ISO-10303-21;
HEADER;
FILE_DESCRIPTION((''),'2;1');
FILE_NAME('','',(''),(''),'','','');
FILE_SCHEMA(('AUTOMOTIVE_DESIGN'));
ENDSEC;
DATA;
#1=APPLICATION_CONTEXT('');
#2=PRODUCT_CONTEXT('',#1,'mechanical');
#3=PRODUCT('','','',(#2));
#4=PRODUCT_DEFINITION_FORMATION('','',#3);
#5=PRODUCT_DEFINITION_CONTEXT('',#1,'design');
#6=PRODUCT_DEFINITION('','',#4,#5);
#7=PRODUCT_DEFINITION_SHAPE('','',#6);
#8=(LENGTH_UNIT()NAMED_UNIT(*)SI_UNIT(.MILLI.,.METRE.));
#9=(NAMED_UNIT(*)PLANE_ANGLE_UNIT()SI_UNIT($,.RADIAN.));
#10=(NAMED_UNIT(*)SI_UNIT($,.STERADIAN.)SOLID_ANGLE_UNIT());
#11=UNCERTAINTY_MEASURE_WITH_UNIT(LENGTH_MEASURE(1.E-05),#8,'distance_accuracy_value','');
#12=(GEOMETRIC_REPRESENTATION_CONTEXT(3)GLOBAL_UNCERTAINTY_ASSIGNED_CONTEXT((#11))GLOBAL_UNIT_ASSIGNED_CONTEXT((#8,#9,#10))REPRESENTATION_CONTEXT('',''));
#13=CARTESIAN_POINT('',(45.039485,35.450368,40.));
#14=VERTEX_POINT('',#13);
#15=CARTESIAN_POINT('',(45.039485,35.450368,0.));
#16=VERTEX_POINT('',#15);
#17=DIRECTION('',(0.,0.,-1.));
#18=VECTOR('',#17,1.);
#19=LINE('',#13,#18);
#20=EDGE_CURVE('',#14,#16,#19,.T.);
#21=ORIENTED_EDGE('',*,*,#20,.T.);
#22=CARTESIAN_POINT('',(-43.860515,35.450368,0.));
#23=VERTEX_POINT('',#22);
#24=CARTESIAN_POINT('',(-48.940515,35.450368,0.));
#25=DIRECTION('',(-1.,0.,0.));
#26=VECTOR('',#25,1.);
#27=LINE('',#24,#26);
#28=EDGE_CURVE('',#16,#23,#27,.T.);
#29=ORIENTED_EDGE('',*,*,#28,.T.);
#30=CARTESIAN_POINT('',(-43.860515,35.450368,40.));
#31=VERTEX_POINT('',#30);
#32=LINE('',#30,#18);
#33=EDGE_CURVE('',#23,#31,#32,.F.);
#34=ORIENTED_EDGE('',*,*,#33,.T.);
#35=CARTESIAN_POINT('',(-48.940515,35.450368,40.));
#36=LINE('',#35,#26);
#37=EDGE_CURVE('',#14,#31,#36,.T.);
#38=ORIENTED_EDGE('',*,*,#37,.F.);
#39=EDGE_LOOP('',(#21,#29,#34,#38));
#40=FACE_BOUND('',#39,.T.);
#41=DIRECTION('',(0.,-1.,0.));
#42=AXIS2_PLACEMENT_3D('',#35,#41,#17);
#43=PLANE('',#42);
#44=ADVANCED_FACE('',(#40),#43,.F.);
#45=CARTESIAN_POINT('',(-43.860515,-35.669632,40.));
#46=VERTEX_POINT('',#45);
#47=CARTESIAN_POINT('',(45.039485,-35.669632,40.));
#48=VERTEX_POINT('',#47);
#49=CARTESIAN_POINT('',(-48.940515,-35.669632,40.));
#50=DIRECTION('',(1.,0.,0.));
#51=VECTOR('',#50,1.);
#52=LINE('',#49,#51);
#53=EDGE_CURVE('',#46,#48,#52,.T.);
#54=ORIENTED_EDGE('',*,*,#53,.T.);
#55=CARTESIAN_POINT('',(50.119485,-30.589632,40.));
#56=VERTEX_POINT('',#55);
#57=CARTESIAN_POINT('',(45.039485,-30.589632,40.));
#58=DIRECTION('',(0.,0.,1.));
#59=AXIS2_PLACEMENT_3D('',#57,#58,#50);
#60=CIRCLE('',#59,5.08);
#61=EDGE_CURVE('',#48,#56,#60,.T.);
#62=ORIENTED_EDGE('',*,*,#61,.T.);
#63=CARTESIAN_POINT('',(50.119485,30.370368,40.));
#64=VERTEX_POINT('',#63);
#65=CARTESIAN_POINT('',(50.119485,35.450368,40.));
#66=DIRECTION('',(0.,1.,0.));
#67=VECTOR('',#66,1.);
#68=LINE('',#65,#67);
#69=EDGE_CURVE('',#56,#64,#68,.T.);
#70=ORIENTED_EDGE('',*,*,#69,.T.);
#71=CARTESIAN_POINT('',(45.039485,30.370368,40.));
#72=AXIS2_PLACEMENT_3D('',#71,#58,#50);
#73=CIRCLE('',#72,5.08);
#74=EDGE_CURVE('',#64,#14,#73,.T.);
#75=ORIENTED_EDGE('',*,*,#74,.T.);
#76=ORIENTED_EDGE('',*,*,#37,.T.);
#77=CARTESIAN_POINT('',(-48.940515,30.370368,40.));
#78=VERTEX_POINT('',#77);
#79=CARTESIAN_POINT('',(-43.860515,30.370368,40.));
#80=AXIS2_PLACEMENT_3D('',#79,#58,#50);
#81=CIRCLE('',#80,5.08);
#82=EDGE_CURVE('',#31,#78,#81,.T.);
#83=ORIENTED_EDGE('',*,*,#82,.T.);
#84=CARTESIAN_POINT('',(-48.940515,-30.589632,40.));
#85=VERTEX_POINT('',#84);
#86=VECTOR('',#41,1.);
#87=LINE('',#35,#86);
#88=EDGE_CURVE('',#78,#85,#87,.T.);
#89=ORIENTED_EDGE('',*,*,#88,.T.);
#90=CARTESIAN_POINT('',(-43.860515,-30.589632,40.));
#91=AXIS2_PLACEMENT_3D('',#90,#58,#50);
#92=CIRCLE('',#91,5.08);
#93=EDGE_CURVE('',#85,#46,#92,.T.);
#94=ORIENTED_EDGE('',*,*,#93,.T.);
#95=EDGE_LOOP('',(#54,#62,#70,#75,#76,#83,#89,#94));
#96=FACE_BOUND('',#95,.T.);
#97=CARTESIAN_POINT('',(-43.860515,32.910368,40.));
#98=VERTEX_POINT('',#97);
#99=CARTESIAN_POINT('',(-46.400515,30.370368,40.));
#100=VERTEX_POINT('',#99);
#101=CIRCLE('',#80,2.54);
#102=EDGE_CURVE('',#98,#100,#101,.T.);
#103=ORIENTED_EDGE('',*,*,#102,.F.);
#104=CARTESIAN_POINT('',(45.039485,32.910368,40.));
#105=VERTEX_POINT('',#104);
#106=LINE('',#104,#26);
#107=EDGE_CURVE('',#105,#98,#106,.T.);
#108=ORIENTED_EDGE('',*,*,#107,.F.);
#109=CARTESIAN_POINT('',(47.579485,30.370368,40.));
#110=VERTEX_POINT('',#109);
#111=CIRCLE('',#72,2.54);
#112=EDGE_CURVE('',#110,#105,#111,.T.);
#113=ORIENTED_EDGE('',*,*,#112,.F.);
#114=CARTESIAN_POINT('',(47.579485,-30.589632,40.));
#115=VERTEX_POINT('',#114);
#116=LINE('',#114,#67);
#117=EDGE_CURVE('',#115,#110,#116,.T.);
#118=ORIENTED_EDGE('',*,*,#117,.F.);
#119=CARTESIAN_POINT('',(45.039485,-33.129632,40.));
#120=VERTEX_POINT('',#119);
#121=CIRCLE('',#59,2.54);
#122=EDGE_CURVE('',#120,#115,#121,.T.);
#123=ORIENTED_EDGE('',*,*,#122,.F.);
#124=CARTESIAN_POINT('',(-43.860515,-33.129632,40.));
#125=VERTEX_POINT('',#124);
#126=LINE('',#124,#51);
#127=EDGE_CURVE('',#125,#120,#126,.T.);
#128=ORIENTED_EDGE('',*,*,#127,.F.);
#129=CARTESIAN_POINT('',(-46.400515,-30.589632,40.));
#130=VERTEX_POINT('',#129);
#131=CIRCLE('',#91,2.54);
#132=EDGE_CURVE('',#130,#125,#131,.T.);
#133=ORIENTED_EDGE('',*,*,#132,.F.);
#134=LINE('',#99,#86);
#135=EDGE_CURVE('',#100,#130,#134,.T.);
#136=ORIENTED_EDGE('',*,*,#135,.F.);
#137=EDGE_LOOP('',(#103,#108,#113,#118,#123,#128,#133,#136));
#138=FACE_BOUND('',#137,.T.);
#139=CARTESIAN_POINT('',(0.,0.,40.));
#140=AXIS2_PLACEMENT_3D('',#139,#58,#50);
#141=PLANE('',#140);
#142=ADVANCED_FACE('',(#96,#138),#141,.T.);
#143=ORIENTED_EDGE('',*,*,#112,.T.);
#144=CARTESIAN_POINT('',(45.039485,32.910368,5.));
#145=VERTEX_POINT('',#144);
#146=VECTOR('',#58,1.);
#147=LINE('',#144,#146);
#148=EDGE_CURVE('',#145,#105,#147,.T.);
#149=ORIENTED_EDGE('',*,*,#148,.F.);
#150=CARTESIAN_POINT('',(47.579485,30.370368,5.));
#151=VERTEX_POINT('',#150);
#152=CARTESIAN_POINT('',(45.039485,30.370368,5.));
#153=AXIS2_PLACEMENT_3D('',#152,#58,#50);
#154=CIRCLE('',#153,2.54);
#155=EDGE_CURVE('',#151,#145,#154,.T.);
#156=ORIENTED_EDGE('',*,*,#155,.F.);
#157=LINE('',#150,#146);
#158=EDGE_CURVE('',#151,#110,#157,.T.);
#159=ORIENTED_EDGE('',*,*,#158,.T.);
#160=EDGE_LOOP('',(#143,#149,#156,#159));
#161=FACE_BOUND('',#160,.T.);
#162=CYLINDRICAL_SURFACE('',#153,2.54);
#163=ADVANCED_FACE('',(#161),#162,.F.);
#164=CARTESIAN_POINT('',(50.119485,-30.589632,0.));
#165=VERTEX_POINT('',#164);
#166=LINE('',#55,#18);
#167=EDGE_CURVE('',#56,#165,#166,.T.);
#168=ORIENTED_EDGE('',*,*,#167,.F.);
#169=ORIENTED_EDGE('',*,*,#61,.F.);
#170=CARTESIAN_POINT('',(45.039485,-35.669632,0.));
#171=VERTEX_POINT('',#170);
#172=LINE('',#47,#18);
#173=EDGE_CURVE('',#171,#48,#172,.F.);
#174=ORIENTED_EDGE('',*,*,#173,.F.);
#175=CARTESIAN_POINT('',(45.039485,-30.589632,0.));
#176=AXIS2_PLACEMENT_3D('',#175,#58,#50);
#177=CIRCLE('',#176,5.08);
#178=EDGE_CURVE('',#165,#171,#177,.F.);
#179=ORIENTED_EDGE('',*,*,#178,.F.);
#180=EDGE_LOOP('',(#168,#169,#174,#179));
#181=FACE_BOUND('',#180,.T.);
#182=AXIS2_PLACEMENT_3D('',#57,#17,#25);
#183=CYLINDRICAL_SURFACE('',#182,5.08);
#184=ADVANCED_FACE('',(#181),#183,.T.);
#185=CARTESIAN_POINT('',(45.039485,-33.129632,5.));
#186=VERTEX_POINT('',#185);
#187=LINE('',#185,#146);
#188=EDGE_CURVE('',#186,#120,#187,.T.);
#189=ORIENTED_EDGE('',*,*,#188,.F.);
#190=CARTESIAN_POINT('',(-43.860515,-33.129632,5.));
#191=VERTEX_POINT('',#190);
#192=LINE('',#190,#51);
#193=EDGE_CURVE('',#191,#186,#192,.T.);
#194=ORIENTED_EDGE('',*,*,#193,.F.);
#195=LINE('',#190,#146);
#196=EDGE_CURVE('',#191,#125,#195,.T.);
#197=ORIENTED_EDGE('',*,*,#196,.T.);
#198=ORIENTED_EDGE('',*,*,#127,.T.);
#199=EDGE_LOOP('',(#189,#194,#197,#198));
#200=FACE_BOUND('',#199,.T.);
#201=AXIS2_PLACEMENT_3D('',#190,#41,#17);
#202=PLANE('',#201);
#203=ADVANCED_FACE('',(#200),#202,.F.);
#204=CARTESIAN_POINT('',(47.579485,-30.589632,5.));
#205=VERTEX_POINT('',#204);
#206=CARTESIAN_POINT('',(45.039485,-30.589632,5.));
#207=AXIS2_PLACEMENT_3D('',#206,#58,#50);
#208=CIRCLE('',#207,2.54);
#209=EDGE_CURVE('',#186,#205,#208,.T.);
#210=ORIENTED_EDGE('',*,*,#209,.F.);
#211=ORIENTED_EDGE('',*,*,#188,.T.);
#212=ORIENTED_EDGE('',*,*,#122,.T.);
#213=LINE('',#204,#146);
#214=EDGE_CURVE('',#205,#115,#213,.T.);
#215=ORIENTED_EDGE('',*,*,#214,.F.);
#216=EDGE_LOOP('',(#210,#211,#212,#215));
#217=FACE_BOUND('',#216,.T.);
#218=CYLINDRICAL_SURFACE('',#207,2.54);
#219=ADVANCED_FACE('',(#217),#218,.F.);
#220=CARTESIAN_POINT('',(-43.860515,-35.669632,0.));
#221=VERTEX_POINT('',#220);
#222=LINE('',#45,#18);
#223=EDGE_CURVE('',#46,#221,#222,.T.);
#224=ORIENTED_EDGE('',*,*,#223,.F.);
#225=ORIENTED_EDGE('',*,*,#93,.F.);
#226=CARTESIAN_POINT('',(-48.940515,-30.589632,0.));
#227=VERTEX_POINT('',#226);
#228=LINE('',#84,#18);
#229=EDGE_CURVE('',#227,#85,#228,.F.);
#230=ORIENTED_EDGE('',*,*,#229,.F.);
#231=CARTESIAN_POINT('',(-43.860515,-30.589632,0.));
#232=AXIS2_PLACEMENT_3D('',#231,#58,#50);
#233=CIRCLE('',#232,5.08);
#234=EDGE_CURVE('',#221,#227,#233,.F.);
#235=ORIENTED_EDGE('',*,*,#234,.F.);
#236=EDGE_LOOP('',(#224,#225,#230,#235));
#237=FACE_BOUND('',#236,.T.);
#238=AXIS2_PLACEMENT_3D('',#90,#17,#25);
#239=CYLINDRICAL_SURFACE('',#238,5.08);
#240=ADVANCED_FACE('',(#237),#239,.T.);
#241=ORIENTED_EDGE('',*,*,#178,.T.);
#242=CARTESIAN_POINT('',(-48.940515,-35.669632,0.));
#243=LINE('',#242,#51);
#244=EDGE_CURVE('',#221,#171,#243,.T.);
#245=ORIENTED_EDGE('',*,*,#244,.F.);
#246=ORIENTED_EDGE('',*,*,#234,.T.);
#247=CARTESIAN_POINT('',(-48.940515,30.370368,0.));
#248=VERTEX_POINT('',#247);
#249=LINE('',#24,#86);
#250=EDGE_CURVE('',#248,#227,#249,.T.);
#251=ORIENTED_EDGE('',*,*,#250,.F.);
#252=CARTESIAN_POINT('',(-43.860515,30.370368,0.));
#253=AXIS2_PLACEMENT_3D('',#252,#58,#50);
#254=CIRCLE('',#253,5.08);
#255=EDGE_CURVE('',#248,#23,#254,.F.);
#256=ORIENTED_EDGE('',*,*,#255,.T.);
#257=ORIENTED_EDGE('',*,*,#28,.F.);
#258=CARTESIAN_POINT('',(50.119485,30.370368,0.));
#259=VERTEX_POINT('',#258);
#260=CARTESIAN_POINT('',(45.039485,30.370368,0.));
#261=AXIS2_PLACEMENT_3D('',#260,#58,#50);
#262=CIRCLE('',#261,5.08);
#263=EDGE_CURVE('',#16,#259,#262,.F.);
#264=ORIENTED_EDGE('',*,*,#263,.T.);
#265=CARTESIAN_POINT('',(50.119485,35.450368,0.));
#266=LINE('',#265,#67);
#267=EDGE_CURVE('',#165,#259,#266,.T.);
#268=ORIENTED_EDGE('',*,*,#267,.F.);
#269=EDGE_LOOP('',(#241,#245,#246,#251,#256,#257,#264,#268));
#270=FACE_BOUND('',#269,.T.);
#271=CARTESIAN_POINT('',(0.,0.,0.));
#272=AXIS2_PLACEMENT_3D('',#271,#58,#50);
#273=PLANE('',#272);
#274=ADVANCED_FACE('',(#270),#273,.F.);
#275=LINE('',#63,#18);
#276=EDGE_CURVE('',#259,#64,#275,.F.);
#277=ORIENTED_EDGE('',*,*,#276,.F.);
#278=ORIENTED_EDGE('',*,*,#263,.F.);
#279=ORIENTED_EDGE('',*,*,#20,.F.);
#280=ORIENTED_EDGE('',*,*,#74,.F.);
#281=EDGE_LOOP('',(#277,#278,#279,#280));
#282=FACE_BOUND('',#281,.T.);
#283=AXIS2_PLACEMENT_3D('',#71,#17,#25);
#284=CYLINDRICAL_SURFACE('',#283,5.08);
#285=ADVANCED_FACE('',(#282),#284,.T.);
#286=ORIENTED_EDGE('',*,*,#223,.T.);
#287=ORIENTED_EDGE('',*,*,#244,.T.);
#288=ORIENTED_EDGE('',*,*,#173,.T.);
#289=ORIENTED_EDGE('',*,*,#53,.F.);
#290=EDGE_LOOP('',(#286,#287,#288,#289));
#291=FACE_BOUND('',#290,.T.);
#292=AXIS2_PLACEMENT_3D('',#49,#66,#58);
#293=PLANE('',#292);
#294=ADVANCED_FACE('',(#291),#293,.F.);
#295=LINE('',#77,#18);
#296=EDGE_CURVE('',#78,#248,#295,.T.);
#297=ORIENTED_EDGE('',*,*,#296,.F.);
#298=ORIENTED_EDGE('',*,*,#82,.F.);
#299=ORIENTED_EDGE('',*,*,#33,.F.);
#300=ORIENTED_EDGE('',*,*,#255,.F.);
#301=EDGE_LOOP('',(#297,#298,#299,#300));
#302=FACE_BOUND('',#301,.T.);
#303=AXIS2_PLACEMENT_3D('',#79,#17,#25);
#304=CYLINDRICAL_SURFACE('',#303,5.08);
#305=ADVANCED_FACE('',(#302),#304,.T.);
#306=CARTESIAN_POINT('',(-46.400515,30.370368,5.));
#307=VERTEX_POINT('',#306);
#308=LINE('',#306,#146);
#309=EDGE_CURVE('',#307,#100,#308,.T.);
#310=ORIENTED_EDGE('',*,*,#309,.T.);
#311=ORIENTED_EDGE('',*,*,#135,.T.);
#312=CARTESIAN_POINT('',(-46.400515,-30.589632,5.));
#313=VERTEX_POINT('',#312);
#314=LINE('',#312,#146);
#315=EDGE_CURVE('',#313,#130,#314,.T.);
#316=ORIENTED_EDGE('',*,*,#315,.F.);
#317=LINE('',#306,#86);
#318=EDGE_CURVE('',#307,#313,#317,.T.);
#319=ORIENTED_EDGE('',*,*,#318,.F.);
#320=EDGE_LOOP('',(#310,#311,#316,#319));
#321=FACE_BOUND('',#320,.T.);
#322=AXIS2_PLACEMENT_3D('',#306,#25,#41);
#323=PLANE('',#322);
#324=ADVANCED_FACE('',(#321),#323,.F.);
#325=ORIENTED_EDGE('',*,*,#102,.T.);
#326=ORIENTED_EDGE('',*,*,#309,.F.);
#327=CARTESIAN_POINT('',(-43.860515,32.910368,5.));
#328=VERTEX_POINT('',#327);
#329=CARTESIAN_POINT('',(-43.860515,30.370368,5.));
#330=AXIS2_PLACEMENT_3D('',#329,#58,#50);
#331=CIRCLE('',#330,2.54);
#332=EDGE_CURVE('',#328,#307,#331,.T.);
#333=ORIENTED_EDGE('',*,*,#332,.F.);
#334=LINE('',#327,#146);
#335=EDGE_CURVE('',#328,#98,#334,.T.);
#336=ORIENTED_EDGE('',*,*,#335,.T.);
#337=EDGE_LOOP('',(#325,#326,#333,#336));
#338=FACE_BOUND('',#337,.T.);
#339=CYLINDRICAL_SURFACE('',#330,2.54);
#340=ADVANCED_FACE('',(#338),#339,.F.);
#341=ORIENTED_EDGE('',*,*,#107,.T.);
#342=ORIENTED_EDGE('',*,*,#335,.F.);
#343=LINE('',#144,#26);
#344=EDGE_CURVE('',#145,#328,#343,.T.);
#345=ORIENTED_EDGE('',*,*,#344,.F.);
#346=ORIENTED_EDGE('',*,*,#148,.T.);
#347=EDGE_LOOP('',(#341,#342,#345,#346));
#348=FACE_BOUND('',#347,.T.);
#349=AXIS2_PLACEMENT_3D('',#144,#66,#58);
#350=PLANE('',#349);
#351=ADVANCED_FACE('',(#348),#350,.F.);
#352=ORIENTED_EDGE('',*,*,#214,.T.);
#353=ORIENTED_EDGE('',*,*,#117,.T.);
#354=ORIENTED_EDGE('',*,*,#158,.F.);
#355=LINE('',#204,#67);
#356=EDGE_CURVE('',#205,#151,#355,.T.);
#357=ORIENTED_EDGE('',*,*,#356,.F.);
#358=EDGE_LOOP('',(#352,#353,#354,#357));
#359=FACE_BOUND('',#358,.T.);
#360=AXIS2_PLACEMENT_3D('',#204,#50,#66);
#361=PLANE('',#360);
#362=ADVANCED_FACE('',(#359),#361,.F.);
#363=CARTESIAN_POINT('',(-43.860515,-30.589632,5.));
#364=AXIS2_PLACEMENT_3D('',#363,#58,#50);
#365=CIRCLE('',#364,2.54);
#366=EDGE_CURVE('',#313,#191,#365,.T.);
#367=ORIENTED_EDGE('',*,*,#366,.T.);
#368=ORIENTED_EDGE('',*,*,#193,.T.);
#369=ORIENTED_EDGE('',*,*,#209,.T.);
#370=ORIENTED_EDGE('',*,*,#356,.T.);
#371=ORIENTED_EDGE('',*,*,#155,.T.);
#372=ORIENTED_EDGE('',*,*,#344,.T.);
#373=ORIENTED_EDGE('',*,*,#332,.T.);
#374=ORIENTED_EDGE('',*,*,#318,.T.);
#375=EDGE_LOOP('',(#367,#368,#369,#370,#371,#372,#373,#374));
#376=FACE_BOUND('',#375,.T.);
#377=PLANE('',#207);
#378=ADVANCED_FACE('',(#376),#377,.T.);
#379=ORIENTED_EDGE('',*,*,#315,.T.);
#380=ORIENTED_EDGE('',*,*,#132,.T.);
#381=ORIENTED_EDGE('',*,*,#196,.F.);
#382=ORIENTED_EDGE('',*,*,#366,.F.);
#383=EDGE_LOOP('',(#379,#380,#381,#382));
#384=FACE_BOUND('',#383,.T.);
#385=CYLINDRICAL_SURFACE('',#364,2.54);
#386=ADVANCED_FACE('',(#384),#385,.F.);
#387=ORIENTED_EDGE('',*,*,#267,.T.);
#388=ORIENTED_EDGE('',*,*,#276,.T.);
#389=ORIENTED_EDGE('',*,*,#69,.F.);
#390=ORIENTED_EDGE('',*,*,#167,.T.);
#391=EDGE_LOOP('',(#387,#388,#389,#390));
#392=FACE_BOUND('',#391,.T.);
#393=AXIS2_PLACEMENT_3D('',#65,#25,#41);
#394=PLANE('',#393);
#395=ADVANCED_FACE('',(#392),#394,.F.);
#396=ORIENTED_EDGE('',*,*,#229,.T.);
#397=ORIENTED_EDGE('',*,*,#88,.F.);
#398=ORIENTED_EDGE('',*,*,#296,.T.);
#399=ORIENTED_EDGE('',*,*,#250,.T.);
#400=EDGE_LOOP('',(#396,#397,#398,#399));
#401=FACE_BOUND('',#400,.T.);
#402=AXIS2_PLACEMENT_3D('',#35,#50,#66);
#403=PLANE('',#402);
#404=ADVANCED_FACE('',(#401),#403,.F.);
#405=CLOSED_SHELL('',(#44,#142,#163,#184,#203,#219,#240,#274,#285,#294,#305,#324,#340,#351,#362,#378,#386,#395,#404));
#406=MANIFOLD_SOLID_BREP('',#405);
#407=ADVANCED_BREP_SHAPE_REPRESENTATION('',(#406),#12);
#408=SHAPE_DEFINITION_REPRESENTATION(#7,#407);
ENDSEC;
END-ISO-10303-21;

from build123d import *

# Parameters (mm, degrees)
SKETCH1_W           = 99.06
SKETCH1_H           = 71.12
BOSS_EXTRUDE1_DEPTH = 40
FILLET1_R           = 5.08
CUT_EXTRUDE2_DEPTH  = 35


with BuildPart() as part:
    # Sketch1 → Boss-Extrude1 (new body)
    with BuildSketch(Plane.XY):
        with Locations((0.589485294, -0.109632353)):
            Rectangle(SKETCH1_W, SKETCH1_H)
    extrude(amount=BOSS_EXTRUDE1_DEPTH)

    # Fillet1
    fillet1_edges = [part.edges().sort_by_distance(p)[0] for p in [
        (-48.940514706, 35.450367647, 20),
        (50.119485294, 35.450367647, 20),
        (50.119485294, -35.669632353, 20),
        (-48.940514706, -35.669632353, 20),
    ]]
    fillet(fillet1_edges, radius=FILLET1_R)

    # Sketch2 → Cut-Extrude2 (cut)
    with BuildSketch(Plane.XY.offset(40)):
        with BuildLine():
            Line((47.579485294, -30.589632353), (47.579485294, 30.370367647))
            ThreePointArc((47.579485294, 30.370367647), (46.835536518, 32.166418871), (45.039485294, 32.910367647))
            Line((45.039485294, 32.910367647), (-43.860514706, 32.910367647))
            ThreePointArc((-43.860514706, 32.910367647), (-45.65656593, 32.166418871), (-46.400514706, 30.370367647))
            Line((-46.400514706, 30.370367647), (-46.400514706, -30.589632353))
            ThreePointArc((-46.400514706, -30.589632353), (-45.65656593, -32.385683577), (-43.860514706, -33.129632353))
            Line((-43.860514706, -33.129632353), (45.039485294, -33.129632353))
            ThreePointArc((45.039485294, -33.129632353), (46.835536518, -32.385683577), (47.579485294, -30.589632353))
        make_face()
    extrude(amount=-CUT_EXTRUDE2_DEPTH, mode=Mode.SUBTRACT)


solid = part.part
